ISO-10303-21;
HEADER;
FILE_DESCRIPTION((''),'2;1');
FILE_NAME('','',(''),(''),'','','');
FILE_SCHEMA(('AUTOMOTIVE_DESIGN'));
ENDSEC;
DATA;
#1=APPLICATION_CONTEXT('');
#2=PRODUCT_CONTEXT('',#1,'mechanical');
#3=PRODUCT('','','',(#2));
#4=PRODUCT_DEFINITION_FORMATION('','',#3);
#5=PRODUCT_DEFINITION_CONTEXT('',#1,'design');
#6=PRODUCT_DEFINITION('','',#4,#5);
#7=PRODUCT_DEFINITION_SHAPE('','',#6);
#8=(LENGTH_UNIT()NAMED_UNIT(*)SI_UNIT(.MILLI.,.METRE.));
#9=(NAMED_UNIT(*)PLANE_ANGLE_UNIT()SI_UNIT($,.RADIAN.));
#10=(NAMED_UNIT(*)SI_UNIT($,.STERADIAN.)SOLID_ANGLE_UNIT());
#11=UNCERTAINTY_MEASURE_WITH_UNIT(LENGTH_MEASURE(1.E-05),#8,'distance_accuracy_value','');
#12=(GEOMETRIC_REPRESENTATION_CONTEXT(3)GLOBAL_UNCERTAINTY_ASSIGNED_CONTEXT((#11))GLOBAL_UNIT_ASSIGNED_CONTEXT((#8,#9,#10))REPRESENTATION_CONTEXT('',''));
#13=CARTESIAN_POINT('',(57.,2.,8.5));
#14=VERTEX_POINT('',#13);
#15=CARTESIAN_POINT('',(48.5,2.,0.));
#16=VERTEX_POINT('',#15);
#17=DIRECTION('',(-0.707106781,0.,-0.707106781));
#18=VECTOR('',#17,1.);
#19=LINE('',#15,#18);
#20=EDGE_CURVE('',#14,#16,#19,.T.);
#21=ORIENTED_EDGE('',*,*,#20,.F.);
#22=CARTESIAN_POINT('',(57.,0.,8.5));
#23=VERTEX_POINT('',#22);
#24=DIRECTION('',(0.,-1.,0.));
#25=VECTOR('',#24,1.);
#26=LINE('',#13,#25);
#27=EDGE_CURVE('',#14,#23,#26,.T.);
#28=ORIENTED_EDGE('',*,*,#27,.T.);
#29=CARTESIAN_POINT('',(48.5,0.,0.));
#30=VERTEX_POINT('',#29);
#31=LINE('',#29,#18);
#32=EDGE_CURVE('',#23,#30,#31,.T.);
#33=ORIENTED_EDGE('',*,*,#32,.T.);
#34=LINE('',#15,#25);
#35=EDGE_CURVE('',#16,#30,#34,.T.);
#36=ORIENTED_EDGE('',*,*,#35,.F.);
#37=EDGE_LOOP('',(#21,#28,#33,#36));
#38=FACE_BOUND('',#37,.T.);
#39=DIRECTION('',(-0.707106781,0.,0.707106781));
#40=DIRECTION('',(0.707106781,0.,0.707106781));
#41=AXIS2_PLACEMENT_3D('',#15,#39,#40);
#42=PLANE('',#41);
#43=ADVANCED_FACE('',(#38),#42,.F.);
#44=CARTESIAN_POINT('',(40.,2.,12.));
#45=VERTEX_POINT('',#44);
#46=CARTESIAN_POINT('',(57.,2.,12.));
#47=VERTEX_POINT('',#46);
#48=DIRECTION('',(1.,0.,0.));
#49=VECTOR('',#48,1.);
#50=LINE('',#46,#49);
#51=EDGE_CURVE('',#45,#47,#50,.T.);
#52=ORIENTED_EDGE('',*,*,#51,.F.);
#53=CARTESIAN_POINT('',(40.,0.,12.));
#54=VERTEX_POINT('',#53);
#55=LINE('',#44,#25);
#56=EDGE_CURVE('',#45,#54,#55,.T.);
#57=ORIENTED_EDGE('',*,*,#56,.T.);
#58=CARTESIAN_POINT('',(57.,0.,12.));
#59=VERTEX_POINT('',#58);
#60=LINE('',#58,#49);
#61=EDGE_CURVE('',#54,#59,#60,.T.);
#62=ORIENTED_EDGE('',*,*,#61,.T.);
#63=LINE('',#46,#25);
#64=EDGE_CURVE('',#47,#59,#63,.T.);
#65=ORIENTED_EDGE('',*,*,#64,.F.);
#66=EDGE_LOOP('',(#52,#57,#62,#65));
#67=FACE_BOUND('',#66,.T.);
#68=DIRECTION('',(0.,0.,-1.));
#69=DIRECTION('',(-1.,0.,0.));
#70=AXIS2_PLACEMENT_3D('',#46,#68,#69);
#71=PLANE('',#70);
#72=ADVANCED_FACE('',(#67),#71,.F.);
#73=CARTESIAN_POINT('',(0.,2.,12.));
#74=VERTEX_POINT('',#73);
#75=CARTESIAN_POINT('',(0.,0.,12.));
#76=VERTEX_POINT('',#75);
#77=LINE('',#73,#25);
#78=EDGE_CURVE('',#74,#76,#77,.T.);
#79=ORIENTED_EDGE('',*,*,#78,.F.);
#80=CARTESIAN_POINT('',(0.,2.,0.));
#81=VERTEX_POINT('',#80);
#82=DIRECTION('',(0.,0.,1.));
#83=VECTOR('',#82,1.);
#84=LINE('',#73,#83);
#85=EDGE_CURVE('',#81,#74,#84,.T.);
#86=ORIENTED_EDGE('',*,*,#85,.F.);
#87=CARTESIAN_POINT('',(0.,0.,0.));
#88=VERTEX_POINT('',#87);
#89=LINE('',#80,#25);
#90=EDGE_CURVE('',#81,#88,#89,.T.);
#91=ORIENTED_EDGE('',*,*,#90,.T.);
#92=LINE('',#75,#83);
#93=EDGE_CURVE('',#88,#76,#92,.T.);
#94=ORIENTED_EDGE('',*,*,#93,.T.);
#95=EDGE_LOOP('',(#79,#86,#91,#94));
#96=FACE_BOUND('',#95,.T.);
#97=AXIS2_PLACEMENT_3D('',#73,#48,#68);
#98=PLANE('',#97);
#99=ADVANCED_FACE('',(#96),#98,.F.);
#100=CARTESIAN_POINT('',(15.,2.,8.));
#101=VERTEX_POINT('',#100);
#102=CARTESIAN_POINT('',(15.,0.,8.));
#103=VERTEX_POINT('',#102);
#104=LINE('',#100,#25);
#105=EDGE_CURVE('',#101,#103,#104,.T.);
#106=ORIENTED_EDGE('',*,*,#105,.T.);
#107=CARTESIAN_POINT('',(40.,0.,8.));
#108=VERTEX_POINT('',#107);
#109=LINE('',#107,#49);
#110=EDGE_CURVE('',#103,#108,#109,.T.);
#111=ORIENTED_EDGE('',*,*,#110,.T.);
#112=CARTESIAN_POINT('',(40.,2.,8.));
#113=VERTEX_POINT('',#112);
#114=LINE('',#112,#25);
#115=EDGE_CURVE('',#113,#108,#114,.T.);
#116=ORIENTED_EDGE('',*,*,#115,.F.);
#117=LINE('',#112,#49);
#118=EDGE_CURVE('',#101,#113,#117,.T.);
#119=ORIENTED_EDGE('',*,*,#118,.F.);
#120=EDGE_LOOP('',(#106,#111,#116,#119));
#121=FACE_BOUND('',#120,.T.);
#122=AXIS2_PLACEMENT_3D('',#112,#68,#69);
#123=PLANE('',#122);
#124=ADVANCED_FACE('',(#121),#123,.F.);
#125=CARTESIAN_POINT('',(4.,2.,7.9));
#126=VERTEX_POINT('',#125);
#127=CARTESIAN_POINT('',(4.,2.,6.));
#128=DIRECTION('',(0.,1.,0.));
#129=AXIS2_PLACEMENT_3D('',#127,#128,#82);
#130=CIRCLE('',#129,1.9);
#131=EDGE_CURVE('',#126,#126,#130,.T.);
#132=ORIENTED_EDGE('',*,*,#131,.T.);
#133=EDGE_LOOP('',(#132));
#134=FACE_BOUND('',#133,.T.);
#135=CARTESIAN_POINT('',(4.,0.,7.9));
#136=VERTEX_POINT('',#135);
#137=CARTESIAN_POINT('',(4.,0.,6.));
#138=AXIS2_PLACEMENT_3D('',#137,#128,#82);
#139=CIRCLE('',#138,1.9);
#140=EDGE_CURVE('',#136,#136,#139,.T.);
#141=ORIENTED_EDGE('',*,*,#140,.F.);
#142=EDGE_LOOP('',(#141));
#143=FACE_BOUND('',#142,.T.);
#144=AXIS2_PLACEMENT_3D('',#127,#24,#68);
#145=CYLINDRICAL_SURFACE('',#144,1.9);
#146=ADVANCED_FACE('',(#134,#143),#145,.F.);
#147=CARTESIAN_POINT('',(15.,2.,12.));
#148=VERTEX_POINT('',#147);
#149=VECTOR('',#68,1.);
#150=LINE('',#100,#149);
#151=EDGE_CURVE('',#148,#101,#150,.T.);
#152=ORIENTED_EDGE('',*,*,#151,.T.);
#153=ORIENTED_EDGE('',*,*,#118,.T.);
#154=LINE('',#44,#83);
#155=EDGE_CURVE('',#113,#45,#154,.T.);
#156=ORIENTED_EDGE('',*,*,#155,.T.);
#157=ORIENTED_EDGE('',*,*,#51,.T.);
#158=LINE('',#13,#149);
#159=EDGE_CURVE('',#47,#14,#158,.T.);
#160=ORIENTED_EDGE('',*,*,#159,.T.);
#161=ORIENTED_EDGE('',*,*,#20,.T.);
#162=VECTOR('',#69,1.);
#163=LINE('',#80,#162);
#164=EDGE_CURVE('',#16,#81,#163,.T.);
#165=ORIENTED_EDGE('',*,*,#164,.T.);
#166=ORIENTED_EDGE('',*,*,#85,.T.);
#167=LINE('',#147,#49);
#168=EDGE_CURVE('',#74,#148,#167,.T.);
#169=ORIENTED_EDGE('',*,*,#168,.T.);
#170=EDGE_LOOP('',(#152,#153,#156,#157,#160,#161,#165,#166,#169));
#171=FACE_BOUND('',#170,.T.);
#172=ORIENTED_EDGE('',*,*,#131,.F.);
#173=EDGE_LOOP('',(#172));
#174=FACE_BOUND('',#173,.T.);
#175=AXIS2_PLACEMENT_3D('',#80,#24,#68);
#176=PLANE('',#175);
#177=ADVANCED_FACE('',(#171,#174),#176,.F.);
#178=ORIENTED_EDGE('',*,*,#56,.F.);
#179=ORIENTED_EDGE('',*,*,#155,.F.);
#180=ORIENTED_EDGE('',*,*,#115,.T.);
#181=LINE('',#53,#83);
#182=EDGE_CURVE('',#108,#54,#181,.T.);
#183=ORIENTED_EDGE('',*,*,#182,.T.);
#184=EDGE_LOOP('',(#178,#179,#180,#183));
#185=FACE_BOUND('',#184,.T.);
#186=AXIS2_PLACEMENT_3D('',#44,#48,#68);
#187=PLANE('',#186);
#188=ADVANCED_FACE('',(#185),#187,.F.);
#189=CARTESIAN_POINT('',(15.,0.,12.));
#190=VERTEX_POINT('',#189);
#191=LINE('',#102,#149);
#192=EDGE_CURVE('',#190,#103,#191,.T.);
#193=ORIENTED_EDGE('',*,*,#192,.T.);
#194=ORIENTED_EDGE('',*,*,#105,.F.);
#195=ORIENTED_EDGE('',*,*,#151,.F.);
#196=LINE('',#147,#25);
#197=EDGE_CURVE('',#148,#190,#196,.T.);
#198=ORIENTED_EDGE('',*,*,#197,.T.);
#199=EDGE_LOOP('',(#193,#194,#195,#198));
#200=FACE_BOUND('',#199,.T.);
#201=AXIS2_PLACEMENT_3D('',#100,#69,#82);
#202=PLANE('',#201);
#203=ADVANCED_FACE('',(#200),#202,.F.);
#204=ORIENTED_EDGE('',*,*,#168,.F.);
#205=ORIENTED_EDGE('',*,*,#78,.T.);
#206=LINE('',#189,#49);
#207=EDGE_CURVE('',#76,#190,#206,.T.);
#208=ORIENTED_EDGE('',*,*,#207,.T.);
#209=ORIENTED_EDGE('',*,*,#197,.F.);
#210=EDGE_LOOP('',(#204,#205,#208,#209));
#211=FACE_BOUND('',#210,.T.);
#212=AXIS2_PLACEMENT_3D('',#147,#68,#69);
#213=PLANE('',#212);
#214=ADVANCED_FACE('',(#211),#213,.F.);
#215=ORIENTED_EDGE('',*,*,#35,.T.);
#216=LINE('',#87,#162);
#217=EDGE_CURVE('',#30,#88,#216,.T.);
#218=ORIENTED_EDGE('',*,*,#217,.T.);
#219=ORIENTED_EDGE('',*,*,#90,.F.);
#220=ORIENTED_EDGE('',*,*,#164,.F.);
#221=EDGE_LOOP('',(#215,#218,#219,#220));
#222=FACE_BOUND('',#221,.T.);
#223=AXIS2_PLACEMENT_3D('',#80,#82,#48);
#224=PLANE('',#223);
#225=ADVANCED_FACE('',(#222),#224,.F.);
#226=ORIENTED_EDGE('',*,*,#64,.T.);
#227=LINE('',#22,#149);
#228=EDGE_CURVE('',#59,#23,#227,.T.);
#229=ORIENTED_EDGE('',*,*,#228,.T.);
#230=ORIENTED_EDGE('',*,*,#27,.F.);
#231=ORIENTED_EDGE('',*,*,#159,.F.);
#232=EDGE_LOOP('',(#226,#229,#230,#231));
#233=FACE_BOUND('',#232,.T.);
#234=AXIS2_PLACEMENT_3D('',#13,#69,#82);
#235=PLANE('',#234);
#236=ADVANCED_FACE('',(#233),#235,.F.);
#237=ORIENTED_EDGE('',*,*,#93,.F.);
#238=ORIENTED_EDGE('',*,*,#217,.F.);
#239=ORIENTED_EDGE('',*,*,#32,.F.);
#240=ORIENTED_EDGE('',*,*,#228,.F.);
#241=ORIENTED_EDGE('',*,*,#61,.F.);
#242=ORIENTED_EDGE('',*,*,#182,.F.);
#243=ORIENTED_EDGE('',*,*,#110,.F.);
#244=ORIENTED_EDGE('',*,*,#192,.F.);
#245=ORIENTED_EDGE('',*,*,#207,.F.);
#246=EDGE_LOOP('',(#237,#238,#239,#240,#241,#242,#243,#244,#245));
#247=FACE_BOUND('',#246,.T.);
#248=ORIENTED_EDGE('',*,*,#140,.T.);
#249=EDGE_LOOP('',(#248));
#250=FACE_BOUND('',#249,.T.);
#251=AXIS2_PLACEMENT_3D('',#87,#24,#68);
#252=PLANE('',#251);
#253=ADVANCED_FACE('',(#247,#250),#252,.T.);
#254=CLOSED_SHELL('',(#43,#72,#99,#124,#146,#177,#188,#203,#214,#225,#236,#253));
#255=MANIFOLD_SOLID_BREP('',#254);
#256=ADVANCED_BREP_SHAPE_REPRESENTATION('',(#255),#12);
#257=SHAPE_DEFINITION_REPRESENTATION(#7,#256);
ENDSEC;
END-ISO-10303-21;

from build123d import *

# Parameters (mm, degrees)
SKETCH_1_R      = 1.9
EXTRUDE_1_DEPTH = 2


with BuildPart() as part:
    # Эскиз1 → Бобышка-Вытянуть1 (new body)
    with BuildSketch(Plane(origin=(0, 0, 0), x_dir=(1, 0, 0), z_dir=(0, 1, 0))):
        Polygon((0, 0), (48.5, 0), (57, -8.5), (57, -12), (40, -12), (40, -8), (15, -8), (15, -12), (0, -12), align=None)
        with Locations((4, -6)):
            Circle(SKETCH_1_R, mode=Mode.SUBTRACT)
    extrude(amount=EXTRUDE_1_DEPTH)


solid = part.part
